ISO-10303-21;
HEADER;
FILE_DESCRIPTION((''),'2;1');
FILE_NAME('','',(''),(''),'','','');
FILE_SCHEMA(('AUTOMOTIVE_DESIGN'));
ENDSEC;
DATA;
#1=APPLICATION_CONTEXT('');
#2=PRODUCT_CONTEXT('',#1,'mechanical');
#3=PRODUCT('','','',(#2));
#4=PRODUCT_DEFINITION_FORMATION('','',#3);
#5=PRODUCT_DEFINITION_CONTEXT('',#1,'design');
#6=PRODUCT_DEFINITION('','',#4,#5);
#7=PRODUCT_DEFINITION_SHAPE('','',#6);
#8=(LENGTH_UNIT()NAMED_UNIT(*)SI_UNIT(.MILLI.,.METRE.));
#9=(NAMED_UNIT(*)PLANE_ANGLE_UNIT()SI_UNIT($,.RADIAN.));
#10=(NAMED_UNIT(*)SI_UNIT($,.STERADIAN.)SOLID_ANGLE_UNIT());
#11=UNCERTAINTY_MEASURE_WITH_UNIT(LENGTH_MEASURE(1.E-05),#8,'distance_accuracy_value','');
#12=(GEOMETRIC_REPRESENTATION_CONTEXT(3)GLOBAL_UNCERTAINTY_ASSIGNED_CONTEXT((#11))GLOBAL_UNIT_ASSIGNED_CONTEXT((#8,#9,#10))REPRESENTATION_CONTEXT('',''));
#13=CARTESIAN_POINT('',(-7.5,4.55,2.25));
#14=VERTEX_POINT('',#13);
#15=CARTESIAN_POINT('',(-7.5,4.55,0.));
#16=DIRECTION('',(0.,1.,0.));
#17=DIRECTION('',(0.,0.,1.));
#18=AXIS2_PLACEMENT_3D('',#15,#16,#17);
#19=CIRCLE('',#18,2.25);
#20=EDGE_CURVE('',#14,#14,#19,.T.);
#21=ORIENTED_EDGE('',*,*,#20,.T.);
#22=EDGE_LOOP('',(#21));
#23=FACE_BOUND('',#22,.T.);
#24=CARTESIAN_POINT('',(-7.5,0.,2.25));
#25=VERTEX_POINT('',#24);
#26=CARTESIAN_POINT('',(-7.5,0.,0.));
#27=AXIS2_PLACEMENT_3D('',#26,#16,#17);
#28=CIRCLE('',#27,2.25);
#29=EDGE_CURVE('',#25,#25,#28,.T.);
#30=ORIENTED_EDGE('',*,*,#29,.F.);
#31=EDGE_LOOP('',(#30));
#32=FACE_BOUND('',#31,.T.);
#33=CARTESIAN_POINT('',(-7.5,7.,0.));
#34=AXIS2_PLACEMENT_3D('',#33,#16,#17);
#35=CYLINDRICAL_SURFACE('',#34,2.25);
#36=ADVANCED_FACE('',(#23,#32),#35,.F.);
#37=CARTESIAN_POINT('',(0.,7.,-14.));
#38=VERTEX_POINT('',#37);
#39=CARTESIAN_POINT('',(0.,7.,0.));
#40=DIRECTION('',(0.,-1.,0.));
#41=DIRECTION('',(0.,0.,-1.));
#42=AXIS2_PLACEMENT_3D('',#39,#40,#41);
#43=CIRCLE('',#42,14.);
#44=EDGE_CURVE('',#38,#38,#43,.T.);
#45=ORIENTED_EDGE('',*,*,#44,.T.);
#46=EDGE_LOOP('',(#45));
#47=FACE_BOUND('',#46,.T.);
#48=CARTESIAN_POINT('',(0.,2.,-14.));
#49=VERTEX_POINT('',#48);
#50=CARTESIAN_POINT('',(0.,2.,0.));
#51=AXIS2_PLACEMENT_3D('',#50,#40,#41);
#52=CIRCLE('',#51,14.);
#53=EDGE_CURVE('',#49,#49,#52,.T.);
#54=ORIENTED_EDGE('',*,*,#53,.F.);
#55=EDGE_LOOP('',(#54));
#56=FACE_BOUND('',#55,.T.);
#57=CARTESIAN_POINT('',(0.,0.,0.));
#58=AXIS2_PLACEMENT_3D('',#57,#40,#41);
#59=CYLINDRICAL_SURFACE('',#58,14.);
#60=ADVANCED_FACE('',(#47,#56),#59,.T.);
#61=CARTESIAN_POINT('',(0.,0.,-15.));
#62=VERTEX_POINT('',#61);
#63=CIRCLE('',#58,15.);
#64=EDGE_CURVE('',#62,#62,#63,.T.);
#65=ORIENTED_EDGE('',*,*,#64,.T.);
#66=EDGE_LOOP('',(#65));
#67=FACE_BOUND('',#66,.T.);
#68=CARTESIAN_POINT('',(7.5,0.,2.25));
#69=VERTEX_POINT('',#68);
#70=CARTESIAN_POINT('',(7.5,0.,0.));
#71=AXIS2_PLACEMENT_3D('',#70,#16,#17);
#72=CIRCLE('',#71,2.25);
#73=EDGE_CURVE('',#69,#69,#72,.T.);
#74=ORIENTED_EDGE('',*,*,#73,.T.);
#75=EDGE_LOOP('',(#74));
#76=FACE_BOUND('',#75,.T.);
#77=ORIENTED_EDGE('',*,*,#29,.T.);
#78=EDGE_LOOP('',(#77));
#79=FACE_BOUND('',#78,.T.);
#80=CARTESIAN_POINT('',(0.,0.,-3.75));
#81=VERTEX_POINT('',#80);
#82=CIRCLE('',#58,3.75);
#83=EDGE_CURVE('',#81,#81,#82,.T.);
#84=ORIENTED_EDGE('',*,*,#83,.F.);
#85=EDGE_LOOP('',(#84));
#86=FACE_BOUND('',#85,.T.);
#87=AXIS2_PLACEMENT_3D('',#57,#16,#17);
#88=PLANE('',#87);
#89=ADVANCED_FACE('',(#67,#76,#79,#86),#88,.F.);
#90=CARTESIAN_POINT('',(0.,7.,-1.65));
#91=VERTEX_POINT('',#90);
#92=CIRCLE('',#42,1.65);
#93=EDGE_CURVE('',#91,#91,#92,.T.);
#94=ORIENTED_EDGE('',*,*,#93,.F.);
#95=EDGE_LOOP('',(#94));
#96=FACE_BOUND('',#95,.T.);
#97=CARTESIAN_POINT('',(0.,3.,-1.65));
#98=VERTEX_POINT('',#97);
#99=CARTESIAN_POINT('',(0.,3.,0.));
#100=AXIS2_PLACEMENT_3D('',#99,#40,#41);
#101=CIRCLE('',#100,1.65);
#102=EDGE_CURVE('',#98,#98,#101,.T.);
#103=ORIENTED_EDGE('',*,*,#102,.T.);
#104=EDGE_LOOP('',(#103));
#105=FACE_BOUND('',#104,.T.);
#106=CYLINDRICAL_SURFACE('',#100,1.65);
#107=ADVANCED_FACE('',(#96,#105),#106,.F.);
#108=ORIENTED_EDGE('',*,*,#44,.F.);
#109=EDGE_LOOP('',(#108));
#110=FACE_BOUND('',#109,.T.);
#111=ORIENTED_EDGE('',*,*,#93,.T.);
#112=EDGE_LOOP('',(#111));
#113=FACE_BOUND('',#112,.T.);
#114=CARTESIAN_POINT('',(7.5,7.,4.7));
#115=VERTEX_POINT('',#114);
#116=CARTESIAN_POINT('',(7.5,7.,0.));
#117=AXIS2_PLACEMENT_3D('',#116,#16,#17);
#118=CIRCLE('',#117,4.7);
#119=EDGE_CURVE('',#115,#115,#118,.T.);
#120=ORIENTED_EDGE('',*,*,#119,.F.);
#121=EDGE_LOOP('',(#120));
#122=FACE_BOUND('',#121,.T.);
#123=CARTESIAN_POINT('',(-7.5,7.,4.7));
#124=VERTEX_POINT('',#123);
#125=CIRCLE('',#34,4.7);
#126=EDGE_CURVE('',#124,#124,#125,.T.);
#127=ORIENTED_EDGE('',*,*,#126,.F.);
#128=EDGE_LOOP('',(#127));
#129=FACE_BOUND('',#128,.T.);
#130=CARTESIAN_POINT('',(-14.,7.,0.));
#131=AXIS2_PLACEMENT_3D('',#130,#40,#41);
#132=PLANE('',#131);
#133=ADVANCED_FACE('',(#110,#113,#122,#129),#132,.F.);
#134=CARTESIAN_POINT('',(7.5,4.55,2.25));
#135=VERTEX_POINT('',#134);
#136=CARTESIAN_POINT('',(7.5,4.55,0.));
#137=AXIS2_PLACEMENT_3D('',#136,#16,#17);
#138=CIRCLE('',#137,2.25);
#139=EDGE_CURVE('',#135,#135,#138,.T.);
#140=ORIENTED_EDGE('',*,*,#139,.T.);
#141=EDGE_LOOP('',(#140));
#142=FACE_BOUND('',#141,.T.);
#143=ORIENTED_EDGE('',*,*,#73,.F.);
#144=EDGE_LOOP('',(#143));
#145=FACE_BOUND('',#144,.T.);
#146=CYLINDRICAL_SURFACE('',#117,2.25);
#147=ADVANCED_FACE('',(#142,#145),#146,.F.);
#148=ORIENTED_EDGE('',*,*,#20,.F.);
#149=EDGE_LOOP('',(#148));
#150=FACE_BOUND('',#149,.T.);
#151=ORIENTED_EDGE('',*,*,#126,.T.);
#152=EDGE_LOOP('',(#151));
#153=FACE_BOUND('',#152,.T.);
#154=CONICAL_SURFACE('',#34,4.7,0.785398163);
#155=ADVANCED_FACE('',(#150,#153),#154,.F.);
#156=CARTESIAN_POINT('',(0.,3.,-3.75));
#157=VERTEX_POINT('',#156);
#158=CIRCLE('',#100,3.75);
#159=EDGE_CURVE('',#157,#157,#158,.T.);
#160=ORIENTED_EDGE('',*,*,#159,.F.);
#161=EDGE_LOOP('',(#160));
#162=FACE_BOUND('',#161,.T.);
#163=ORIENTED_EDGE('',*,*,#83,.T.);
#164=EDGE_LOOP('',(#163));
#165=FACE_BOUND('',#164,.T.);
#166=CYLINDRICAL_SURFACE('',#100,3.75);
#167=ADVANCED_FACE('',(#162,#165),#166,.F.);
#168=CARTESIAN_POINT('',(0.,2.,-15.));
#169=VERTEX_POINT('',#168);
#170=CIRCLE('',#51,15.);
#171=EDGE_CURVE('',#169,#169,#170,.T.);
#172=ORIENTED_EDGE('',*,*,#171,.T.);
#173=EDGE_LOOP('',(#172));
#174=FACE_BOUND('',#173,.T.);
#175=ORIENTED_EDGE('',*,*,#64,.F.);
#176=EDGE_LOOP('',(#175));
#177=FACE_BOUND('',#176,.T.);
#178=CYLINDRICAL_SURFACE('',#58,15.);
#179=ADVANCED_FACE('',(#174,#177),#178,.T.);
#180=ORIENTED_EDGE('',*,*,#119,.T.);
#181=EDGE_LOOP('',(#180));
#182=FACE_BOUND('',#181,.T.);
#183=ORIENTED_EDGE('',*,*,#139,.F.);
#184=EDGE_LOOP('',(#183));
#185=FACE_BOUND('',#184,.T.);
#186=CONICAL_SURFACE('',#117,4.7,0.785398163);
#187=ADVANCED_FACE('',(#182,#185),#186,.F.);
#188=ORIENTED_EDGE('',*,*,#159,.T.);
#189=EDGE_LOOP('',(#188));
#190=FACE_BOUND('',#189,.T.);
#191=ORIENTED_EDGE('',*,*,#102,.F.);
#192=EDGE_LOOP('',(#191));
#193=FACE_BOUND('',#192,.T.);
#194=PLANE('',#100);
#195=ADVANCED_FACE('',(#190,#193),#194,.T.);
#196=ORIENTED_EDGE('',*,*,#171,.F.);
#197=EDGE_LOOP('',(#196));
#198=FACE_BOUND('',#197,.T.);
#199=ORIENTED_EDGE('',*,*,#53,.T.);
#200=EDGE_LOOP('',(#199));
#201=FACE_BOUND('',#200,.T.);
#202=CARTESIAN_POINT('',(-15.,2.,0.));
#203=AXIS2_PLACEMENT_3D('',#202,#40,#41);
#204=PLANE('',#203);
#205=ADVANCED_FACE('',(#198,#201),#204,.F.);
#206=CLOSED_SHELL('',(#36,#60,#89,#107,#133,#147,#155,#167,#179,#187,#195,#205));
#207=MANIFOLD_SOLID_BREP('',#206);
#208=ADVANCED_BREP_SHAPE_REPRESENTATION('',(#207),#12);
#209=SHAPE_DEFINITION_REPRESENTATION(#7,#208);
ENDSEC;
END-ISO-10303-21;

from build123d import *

# Parameters (mm, degrees)
HOLE_WIZARD_M4_1_D           = 4.5
HOLE_WIZARD_M4_1_DEPTH       = 7
HOLE_WIZARD_M4_1_CSINK_D     = 9.4
HOLE_WIZARD_M4_1_CSINK_ANGLE = 90
SKETCH_4_R                   = 3.75
CUT_EXTRUDE_M4_DEPTH         = 3
HOLE_WIZARD_M4_1_2_D         = 3.3
HOLE_WIZARD_M4_1_2_DEPTH     = 4


with BuildPart() as part:
    # 스케치1 → 회전1 (revolve)
    with BuildSketch(Plane.XY):
        Polygon((0, 0), (-15, 0), (-15, 2), (-14, 2), (-14, 7), (0, 7), align=None)
    revolve(axis=Axis((0, 0, 0), (0, 1, 0)))

    # Hole Wizard M4 _ _ _ _1
    with Locations(Plane(origin=(0, 7, 0), x_dir=(1, 0, 0), z_dir=(0, 1, 0))):
        with Locations((-7.5, 0), (7.5, 0)):
            CounterSinkHole(HOLE_WIZARD_M4_1_D / 2, HOLE_WIZARD_M4_1_CSINK_D / 2, depth=HOLE_WIZARD_M4_1_DEPTH, counter_sink_angle=HOLE_WIZARD_M4_1_CSINK_ANGLE)

    # 스케치4 → M4 둥근 머리 나사용 카운터싱크 (cut)
    with BuildSketch(Plane.XZ):
        Circle(SKETCH_4_R)
    extrude(amount=-CUT_EXTRUDE_M4_DEPTH, mode=Mode.SUBTRACT)

    # Hole Wizard M4 _ _1 2
    with Locations(Plane(origin=(0, 3, 0), x_dir=(-1, 0, 0), z_dir=(0, -1, 0))):
        with Locations((0, 0)):
            Hole(HOLE_WIZARD_M4_1_2_D / 2, depth=HOLE_WIZARD_M4_1_2_DEPTH)


solid = part.part
